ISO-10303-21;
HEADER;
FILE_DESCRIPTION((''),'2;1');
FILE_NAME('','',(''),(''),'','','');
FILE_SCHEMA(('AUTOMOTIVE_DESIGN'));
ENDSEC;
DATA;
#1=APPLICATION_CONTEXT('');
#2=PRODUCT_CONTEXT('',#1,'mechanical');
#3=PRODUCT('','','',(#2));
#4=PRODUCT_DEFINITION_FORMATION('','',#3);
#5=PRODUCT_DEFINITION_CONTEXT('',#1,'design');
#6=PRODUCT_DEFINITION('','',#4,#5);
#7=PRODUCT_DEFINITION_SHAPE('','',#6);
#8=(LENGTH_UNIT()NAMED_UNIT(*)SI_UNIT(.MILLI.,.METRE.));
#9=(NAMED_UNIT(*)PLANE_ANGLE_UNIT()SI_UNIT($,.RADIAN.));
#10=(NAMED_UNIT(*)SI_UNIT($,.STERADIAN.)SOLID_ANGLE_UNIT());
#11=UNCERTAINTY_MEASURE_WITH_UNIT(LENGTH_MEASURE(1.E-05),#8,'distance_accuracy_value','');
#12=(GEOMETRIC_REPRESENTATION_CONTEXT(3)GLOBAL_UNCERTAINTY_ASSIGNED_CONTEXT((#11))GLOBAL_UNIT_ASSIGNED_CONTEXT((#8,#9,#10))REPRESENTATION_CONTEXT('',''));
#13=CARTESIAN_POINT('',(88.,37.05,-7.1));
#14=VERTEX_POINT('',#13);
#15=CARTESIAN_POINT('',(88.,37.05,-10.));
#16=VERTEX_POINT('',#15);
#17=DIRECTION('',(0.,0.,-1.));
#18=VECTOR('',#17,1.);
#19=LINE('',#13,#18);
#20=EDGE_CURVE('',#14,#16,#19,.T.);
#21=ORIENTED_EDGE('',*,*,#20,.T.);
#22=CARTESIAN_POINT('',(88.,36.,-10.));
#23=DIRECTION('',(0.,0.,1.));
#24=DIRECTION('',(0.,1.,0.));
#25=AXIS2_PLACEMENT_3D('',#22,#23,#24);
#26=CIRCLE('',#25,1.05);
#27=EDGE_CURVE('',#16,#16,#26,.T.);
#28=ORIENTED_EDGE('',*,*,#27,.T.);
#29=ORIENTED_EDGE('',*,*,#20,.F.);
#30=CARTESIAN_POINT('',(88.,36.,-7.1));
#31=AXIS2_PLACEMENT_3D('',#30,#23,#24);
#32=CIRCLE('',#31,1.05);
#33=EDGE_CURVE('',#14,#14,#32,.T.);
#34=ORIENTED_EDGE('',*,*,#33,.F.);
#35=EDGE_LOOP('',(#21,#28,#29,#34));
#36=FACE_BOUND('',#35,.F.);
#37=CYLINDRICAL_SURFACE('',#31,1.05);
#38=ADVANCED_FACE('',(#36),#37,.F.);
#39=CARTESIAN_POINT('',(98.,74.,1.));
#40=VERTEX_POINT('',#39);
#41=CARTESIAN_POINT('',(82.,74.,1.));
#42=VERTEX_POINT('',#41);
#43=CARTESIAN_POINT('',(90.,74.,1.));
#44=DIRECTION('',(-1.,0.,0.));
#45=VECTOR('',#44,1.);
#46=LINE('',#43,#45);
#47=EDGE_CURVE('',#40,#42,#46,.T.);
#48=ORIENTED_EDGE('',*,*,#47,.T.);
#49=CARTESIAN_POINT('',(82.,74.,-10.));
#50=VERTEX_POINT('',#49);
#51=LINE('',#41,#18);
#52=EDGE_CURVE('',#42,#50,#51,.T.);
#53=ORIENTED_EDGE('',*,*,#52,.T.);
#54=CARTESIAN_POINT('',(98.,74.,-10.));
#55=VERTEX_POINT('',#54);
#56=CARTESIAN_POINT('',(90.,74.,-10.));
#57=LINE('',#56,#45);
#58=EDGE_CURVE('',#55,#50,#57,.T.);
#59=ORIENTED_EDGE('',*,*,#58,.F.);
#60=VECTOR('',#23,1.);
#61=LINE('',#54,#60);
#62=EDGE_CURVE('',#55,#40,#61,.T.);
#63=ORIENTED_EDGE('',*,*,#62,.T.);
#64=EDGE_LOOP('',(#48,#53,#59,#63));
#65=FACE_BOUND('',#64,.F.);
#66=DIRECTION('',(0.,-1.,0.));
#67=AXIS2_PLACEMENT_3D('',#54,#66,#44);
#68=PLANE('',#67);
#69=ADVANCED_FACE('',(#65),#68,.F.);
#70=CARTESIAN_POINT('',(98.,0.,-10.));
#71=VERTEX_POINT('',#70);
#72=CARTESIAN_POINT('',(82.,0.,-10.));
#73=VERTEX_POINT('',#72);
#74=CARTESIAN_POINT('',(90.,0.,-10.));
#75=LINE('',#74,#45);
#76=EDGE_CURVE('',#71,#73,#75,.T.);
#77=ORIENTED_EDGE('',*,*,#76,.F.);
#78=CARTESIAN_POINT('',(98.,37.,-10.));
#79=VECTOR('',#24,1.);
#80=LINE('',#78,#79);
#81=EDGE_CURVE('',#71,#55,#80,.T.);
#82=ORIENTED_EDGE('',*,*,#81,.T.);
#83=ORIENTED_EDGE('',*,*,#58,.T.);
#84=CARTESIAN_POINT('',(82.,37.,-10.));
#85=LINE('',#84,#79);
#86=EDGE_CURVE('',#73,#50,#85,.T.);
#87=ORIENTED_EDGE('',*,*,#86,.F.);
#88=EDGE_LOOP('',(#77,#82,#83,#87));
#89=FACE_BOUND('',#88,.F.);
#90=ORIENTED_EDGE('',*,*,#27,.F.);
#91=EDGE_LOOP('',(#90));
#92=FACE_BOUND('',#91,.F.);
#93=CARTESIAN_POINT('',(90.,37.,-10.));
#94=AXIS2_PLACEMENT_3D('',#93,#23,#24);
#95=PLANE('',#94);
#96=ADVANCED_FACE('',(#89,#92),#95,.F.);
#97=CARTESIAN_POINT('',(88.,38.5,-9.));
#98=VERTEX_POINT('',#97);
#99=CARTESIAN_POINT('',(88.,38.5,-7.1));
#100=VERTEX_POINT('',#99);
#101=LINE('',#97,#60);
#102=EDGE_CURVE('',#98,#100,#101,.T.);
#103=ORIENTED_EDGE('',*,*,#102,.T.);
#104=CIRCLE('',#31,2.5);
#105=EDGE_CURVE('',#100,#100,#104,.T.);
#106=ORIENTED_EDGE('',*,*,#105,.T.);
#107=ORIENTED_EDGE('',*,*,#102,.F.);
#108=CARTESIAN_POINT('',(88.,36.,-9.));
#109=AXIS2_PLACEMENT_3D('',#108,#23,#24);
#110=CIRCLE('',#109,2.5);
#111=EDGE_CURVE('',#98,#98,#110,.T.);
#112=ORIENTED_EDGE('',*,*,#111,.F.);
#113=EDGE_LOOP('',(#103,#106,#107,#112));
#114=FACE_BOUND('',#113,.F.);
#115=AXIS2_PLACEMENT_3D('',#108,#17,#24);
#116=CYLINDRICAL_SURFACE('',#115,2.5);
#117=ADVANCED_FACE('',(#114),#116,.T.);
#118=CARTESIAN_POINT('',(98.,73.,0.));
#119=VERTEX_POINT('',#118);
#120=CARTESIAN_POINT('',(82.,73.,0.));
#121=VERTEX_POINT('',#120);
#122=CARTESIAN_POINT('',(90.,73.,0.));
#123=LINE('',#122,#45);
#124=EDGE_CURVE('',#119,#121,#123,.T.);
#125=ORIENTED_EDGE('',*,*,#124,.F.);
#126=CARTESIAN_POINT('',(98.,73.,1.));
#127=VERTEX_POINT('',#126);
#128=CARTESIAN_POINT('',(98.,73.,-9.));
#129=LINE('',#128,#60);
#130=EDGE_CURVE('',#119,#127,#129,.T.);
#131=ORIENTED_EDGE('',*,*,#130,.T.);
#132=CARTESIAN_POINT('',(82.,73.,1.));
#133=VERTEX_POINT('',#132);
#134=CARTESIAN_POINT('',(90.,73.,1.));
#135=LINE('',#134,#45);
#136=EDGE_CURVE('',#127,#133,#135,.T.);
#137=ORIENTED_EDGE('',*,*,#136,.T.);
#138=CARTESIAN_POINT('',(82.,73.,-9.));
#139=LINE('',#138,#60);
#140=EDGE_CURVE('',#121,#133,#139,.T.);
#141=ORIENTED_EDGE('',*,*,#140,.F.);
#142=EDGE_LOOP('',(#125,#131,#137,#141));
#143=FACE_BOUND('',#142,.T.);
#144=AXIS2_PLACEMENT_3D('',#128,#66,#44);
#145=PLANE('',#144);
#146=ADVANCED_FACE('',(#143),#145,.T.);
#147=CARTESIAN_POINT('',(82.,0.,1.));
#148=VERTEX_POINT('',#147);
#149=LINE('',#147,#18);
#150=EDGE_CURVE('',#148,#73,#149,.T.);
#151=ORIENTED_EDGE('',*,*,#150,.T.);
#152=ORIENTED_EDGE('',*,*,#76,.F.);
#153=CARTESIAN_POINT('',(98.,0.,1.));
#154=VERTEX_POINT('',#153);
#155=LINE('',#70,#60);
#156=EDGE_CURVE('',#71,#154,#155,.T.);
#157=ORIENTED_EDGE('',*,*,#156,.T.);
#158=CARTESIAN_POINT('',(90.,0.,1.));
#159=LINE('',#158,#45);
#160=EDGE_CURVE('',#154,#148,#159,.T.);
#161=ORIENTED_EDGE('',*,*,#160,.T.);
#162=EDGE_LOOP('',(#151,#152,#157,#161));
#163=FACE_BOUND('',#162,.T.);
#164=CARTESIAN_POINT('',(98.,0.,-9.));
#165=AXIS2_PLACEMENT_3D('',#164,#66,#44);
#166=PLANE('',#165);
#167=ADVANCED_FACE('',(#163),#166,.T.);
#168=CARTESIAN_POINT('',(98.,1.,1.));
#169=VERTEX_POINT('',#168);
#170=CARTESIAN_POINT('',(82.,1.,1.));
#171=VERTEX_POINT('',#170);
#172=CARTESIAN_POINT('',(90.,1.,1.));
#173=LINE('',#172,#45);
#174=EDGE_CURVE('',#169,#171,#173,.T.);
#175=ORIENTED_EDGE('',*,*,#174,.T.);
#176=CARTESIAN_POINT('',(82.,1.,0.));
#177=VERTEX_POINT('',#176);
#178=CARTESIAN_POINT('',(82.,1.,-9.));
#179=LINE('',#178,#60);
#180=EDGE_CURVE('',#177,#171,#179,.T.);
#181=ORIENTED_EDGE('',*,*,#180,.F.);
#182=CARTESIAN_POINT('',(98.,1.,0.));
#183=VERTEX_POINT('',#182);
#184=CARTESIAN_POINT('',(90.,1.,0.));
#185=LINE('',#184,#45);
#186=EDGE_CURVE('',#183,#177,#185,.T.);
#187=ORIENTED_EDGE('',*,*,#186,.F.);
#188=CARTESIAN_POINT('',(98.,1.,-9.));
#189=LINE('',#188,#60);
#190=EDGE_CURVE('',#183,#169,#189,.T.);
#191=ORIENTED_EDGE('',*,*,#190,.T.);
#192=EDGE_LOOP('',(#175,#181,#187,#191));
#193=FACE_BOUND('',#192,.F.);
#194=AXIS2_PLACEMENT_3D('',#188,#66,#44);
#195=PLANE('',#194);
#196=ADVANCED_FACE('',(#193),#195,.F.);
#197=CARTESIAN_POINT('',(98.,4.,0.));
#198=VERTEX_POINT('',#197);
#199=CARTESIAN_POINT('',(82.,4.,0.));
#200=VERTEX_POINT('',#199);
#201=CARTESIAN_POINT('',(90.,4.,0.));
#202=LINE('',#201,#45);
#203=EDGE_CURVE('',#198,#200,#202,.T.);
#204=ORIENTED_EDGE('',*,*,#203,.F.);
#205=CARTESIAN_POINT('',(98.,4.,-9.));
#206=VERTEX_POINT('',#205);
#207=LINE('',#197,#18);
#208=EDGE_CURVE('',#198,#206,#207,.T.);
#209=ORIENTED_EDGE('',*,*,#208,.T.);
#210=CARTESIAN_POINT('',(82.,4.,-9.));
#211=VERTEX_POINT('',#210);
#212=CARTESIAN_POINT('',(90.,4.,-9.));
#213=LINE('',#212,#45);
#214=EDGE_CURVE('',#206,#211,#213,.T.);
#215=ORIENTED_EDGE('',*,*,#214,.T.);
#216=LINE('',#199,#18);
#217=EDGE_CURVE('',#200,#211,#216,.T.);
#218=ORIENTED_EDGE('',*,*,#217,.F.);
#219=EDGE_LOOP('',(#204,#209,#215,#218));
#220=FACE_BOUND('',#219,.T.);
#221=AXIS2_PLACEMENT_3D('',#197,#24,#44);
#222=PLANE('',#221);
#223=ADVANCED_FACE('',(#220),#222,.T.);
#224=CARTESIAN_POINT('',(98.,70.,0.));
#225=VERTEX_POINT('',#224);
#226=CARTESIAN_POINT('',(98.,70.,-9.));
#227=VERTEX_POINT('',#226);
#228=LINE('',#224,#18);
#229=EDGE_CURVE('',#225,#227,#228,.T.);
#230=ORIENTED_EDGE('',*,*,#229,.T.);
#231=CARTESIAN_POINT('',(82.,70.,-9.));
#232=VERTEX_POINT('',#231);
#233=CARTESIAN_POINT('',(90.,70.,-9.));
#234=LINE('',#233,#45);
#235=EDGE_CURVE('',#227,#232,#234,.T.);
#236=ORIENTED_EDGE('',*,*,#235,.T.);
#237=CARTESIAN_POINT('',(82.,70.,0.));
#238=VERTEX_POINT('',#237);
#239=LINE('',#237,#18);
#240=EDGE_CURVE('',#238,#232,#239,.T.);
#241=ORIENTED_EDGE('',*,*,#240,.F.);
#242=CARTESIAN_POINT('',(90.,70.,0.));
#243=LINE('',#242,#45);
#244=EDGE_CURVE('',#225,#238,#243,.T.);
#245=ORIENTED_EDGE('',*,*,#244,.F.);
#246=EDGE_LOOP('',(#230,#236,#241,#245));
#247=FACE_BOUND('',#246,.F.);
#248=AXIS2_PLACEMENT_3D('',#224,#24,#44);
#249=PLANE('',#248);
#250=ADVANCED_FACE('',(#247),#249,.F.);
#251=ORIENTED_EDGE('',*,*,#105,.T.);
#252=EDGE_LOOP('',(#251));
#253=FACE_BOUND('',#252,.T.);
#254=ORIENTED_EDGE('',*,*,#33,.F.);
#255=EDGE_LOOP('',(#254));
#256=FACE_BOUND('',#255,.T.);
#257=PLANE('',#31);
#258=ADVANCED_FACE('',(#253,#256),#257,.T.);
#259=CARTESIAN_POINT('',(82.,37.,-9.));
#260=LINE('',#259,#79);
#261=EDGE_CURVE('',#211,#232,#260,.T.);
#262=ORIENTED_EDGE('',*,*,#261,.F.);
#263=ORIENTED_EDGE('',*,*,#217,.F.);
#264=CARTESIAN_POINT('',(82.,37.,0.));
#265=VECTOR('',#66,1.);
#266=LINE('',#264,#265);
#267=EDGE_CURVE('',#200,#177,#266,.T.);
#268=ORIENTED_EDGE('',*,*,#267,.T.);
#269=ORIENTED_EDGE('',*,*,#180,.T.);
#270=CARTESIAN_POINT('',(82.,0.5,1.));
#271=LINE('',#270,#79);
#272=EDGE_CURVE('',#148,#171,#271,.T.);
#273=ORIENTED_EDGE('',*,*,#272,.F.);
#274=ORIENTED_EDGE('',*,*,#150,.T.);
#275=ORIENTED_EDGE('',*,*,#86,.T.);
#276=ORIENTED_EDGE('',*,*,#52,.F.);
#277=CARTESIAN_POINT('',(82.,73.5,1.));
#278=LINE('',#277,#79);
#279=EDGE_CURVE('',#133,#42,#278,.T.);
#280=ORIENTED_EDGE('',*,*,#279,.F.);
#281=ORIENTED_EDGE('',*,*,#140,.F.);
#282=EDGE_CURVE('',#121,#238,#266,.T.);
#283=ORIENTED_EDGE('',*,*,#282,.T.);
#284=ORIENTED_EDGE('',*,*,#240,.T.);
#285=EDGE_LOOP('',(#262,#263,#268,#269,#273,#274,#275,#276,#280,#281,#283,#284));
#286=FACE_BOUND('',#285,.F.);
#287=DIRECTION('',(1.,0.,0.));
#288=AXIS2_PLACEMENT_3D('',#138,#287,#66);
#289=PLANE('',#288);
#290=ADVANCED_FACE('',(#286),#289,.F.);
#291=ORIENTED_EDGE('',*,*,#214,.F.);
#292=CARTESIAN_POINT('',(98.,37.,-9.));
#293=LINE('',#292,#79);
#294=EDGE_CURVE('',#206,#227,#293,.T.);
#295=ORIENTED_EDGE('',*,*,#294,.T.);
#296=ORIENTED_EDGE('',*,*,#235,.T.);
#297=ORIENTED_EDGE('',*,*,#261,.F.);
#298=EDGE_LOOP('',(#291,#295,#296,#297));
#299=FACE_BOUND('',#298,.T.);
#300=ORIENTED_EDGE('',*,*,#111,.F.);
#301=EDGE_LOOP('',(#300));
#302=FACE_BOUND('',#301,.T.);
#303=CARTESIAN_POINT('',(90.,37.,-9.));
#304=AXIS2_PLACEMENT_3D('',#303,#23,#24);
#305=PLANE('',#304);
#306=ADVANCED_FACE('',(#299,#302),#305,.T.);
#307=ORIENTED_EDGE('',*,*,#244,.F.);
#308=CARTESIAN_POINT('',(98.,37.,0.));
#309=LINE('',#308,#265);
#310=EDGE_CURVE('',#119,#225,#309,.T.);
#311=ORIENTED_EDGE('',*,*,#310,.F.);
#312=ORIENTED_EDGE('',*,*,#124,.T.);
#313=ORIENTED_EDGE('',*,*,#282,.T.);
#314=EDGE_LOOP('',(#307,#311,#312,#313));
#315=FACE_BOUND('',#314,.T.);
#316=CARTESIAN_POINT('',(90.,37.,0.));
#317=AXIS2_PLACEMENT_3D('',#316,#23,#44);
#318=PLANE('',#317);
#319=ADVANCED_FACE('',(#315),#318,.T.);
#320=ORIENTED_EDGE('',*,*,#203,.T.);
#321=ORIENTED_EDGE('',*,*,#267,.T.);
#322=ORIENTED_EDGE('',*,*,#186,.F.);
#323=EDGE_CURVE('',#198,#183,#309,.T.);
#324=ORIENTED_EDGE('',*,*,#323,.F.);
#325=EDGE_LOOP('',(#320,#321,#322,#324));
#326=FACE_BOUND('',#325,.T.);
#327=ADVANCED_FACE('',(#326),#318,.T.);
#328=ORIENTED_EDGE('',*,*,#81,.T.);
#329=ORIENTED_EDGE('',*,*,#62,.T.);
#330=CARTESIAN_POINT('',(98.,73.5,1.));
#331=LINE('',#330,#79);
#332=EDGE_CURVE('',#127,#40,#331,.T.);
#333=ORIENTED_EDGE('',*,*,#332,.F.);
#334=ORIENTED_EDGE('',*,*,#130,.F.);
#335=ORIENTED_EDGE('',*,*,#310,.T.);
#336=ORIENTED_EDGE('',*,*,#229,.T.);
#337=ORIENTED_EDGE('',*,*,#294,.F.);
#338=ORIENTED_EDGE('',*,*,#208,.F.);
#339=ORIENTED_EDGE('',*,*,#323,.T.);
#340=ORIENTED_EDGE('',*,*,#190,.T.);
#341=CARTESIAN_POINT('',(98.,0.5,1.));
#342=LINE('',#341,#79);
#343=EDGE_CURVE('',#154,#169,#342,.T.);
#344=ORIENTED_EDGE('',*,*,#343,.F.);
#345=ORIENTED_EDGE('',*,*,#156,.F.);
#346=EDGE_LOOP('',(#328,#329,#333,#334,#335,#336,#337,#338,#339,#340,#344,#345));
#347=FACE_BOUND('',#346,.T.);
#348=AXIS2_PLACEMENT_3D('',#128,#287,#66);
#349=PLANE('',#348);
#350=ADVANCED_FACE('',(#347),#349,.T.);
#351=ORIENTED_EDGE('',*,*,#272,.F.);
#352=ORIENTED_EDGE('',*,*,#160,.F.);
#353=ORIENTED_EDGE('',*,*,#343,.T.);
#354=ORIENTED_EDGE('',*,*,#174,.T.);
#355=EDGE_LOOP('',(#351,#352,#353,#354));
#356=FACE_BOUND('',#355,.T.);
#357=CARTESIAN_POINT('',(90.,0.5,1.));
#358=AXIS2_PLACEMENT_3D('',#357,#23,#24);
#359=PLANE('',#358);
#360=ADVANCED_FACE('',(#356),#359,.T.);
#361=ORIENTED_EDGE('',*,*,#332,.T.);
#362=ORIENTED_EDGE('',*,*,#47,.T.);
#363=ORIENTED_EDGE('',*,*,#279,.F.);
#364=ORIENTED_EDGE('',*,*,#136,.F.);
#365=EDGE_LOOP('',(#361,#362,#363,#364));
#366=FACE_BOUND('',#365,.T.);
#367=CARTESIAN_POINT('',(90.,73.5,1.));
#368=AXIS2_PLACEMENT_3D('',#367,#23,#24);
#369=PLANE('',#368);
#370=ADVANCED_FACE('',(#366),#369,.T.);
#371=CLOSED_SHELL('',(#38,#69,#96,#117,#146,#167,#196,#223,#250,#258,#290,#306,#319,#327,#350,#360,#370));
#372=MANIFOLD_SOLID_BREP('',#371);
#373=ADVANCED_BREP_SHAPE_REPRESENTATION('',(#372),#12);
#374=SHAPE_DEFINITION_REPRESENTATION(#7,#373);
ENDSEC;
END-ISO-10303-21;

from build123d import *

# Parameters (mm, degrees)
SKETCH019_W             = 74
SKETCH019_H             = 16
PAD013_DEPTH            = 1
SKETCH003_W             = 1
SKETCH003_H             = 16
PAD002_DEPTH            = 10
PAD002_FACE6_W          = 16
PAD002_FACE6_H          = 72
PAD012_DEPTH            = 9
SKETCH021_W             = 66
SKETCH021_H             = 16
POCKET008_DEPTH         = 9
SKETCH023_R             = 2.5
PAD010_DEPTH            = 1.9
SKETCH024_R             = 1.05
POCKET007_DEPTH         = 5
BODY005_PLACEMENT_ANGLE = 90


with BuildPart() as part:
    # Sketch019 → Pad013 (new body)
    with BuildSketch(Plane.XY):
        with Locations((35, 7)):
            Rectangle(SKETCH019_W, SKETCH019_H)
    extrude(amount=PAD013_DEPTH)

    # Sketch003 (on Face6 of Pad013) → Pad002 (join)
    with BuildSketch(Plane.XY.offset(1)):
        with Locations((-1.5, 7)):
            Rectangle(SKETCH003_W, SKETCH003_H)
        with Locations((71.5, 7)):
            Rectangle(SKETCH003_W, SKETCH003_H)
    extrude(amount=PAD002_DEPTH)

    # Pad002 Face6 → Pad012 (add)
    with BuildSketch(Plane(origin=(35, 7, 1), x_dir=(0, 1, 0), z_dir=(0, 0, 1))):
        Rectangle(PAD002_FACE6_W, PAD002_FACE6_H)
    extrude(amount=PAD012_DEPTH)

    # Sketch021 (on Face13 of Pad012) → Pocket008 (cut)
    with BuildSketch(Plane.XY.offset(10)):
        with Locations((35, 7)):
            Rectangle(SKETCH021_W, SKETCH021_H)
    extrude(amount=-POCKET008_DEPTH, mode=Mode.SUBTRACT)

    # Sketch023 (on Face7 of Pocket008) → Pad010 (join)
    with BuildSketch(Plane.XY.offset(1)):
        with Locations((34, 9)):
            Circle(SKETCH023_R)
    extrude(amount=PAD010_DEPTH)

    # Sketch024 (on Face26 of Pad010) → Pocket007 (cut)
    with BuildSketch(Plane.XY.offset(2.9)):
        with Locations((34, 9)):
            Circle(SKETCH024_R)
    extrude(amount=-POCKET007_DEPTH, mode=Mode.SUBTRACT)


with BuildPart() as part_1:
    # Body005 placement: moved
    add(part.part.moved(Location((97, 2, -10))).rotate(Axis((97, 2, -10), (0, 0, 1)), BODY005_PLACEMENT_ANGLE))


solid = part_1.part
